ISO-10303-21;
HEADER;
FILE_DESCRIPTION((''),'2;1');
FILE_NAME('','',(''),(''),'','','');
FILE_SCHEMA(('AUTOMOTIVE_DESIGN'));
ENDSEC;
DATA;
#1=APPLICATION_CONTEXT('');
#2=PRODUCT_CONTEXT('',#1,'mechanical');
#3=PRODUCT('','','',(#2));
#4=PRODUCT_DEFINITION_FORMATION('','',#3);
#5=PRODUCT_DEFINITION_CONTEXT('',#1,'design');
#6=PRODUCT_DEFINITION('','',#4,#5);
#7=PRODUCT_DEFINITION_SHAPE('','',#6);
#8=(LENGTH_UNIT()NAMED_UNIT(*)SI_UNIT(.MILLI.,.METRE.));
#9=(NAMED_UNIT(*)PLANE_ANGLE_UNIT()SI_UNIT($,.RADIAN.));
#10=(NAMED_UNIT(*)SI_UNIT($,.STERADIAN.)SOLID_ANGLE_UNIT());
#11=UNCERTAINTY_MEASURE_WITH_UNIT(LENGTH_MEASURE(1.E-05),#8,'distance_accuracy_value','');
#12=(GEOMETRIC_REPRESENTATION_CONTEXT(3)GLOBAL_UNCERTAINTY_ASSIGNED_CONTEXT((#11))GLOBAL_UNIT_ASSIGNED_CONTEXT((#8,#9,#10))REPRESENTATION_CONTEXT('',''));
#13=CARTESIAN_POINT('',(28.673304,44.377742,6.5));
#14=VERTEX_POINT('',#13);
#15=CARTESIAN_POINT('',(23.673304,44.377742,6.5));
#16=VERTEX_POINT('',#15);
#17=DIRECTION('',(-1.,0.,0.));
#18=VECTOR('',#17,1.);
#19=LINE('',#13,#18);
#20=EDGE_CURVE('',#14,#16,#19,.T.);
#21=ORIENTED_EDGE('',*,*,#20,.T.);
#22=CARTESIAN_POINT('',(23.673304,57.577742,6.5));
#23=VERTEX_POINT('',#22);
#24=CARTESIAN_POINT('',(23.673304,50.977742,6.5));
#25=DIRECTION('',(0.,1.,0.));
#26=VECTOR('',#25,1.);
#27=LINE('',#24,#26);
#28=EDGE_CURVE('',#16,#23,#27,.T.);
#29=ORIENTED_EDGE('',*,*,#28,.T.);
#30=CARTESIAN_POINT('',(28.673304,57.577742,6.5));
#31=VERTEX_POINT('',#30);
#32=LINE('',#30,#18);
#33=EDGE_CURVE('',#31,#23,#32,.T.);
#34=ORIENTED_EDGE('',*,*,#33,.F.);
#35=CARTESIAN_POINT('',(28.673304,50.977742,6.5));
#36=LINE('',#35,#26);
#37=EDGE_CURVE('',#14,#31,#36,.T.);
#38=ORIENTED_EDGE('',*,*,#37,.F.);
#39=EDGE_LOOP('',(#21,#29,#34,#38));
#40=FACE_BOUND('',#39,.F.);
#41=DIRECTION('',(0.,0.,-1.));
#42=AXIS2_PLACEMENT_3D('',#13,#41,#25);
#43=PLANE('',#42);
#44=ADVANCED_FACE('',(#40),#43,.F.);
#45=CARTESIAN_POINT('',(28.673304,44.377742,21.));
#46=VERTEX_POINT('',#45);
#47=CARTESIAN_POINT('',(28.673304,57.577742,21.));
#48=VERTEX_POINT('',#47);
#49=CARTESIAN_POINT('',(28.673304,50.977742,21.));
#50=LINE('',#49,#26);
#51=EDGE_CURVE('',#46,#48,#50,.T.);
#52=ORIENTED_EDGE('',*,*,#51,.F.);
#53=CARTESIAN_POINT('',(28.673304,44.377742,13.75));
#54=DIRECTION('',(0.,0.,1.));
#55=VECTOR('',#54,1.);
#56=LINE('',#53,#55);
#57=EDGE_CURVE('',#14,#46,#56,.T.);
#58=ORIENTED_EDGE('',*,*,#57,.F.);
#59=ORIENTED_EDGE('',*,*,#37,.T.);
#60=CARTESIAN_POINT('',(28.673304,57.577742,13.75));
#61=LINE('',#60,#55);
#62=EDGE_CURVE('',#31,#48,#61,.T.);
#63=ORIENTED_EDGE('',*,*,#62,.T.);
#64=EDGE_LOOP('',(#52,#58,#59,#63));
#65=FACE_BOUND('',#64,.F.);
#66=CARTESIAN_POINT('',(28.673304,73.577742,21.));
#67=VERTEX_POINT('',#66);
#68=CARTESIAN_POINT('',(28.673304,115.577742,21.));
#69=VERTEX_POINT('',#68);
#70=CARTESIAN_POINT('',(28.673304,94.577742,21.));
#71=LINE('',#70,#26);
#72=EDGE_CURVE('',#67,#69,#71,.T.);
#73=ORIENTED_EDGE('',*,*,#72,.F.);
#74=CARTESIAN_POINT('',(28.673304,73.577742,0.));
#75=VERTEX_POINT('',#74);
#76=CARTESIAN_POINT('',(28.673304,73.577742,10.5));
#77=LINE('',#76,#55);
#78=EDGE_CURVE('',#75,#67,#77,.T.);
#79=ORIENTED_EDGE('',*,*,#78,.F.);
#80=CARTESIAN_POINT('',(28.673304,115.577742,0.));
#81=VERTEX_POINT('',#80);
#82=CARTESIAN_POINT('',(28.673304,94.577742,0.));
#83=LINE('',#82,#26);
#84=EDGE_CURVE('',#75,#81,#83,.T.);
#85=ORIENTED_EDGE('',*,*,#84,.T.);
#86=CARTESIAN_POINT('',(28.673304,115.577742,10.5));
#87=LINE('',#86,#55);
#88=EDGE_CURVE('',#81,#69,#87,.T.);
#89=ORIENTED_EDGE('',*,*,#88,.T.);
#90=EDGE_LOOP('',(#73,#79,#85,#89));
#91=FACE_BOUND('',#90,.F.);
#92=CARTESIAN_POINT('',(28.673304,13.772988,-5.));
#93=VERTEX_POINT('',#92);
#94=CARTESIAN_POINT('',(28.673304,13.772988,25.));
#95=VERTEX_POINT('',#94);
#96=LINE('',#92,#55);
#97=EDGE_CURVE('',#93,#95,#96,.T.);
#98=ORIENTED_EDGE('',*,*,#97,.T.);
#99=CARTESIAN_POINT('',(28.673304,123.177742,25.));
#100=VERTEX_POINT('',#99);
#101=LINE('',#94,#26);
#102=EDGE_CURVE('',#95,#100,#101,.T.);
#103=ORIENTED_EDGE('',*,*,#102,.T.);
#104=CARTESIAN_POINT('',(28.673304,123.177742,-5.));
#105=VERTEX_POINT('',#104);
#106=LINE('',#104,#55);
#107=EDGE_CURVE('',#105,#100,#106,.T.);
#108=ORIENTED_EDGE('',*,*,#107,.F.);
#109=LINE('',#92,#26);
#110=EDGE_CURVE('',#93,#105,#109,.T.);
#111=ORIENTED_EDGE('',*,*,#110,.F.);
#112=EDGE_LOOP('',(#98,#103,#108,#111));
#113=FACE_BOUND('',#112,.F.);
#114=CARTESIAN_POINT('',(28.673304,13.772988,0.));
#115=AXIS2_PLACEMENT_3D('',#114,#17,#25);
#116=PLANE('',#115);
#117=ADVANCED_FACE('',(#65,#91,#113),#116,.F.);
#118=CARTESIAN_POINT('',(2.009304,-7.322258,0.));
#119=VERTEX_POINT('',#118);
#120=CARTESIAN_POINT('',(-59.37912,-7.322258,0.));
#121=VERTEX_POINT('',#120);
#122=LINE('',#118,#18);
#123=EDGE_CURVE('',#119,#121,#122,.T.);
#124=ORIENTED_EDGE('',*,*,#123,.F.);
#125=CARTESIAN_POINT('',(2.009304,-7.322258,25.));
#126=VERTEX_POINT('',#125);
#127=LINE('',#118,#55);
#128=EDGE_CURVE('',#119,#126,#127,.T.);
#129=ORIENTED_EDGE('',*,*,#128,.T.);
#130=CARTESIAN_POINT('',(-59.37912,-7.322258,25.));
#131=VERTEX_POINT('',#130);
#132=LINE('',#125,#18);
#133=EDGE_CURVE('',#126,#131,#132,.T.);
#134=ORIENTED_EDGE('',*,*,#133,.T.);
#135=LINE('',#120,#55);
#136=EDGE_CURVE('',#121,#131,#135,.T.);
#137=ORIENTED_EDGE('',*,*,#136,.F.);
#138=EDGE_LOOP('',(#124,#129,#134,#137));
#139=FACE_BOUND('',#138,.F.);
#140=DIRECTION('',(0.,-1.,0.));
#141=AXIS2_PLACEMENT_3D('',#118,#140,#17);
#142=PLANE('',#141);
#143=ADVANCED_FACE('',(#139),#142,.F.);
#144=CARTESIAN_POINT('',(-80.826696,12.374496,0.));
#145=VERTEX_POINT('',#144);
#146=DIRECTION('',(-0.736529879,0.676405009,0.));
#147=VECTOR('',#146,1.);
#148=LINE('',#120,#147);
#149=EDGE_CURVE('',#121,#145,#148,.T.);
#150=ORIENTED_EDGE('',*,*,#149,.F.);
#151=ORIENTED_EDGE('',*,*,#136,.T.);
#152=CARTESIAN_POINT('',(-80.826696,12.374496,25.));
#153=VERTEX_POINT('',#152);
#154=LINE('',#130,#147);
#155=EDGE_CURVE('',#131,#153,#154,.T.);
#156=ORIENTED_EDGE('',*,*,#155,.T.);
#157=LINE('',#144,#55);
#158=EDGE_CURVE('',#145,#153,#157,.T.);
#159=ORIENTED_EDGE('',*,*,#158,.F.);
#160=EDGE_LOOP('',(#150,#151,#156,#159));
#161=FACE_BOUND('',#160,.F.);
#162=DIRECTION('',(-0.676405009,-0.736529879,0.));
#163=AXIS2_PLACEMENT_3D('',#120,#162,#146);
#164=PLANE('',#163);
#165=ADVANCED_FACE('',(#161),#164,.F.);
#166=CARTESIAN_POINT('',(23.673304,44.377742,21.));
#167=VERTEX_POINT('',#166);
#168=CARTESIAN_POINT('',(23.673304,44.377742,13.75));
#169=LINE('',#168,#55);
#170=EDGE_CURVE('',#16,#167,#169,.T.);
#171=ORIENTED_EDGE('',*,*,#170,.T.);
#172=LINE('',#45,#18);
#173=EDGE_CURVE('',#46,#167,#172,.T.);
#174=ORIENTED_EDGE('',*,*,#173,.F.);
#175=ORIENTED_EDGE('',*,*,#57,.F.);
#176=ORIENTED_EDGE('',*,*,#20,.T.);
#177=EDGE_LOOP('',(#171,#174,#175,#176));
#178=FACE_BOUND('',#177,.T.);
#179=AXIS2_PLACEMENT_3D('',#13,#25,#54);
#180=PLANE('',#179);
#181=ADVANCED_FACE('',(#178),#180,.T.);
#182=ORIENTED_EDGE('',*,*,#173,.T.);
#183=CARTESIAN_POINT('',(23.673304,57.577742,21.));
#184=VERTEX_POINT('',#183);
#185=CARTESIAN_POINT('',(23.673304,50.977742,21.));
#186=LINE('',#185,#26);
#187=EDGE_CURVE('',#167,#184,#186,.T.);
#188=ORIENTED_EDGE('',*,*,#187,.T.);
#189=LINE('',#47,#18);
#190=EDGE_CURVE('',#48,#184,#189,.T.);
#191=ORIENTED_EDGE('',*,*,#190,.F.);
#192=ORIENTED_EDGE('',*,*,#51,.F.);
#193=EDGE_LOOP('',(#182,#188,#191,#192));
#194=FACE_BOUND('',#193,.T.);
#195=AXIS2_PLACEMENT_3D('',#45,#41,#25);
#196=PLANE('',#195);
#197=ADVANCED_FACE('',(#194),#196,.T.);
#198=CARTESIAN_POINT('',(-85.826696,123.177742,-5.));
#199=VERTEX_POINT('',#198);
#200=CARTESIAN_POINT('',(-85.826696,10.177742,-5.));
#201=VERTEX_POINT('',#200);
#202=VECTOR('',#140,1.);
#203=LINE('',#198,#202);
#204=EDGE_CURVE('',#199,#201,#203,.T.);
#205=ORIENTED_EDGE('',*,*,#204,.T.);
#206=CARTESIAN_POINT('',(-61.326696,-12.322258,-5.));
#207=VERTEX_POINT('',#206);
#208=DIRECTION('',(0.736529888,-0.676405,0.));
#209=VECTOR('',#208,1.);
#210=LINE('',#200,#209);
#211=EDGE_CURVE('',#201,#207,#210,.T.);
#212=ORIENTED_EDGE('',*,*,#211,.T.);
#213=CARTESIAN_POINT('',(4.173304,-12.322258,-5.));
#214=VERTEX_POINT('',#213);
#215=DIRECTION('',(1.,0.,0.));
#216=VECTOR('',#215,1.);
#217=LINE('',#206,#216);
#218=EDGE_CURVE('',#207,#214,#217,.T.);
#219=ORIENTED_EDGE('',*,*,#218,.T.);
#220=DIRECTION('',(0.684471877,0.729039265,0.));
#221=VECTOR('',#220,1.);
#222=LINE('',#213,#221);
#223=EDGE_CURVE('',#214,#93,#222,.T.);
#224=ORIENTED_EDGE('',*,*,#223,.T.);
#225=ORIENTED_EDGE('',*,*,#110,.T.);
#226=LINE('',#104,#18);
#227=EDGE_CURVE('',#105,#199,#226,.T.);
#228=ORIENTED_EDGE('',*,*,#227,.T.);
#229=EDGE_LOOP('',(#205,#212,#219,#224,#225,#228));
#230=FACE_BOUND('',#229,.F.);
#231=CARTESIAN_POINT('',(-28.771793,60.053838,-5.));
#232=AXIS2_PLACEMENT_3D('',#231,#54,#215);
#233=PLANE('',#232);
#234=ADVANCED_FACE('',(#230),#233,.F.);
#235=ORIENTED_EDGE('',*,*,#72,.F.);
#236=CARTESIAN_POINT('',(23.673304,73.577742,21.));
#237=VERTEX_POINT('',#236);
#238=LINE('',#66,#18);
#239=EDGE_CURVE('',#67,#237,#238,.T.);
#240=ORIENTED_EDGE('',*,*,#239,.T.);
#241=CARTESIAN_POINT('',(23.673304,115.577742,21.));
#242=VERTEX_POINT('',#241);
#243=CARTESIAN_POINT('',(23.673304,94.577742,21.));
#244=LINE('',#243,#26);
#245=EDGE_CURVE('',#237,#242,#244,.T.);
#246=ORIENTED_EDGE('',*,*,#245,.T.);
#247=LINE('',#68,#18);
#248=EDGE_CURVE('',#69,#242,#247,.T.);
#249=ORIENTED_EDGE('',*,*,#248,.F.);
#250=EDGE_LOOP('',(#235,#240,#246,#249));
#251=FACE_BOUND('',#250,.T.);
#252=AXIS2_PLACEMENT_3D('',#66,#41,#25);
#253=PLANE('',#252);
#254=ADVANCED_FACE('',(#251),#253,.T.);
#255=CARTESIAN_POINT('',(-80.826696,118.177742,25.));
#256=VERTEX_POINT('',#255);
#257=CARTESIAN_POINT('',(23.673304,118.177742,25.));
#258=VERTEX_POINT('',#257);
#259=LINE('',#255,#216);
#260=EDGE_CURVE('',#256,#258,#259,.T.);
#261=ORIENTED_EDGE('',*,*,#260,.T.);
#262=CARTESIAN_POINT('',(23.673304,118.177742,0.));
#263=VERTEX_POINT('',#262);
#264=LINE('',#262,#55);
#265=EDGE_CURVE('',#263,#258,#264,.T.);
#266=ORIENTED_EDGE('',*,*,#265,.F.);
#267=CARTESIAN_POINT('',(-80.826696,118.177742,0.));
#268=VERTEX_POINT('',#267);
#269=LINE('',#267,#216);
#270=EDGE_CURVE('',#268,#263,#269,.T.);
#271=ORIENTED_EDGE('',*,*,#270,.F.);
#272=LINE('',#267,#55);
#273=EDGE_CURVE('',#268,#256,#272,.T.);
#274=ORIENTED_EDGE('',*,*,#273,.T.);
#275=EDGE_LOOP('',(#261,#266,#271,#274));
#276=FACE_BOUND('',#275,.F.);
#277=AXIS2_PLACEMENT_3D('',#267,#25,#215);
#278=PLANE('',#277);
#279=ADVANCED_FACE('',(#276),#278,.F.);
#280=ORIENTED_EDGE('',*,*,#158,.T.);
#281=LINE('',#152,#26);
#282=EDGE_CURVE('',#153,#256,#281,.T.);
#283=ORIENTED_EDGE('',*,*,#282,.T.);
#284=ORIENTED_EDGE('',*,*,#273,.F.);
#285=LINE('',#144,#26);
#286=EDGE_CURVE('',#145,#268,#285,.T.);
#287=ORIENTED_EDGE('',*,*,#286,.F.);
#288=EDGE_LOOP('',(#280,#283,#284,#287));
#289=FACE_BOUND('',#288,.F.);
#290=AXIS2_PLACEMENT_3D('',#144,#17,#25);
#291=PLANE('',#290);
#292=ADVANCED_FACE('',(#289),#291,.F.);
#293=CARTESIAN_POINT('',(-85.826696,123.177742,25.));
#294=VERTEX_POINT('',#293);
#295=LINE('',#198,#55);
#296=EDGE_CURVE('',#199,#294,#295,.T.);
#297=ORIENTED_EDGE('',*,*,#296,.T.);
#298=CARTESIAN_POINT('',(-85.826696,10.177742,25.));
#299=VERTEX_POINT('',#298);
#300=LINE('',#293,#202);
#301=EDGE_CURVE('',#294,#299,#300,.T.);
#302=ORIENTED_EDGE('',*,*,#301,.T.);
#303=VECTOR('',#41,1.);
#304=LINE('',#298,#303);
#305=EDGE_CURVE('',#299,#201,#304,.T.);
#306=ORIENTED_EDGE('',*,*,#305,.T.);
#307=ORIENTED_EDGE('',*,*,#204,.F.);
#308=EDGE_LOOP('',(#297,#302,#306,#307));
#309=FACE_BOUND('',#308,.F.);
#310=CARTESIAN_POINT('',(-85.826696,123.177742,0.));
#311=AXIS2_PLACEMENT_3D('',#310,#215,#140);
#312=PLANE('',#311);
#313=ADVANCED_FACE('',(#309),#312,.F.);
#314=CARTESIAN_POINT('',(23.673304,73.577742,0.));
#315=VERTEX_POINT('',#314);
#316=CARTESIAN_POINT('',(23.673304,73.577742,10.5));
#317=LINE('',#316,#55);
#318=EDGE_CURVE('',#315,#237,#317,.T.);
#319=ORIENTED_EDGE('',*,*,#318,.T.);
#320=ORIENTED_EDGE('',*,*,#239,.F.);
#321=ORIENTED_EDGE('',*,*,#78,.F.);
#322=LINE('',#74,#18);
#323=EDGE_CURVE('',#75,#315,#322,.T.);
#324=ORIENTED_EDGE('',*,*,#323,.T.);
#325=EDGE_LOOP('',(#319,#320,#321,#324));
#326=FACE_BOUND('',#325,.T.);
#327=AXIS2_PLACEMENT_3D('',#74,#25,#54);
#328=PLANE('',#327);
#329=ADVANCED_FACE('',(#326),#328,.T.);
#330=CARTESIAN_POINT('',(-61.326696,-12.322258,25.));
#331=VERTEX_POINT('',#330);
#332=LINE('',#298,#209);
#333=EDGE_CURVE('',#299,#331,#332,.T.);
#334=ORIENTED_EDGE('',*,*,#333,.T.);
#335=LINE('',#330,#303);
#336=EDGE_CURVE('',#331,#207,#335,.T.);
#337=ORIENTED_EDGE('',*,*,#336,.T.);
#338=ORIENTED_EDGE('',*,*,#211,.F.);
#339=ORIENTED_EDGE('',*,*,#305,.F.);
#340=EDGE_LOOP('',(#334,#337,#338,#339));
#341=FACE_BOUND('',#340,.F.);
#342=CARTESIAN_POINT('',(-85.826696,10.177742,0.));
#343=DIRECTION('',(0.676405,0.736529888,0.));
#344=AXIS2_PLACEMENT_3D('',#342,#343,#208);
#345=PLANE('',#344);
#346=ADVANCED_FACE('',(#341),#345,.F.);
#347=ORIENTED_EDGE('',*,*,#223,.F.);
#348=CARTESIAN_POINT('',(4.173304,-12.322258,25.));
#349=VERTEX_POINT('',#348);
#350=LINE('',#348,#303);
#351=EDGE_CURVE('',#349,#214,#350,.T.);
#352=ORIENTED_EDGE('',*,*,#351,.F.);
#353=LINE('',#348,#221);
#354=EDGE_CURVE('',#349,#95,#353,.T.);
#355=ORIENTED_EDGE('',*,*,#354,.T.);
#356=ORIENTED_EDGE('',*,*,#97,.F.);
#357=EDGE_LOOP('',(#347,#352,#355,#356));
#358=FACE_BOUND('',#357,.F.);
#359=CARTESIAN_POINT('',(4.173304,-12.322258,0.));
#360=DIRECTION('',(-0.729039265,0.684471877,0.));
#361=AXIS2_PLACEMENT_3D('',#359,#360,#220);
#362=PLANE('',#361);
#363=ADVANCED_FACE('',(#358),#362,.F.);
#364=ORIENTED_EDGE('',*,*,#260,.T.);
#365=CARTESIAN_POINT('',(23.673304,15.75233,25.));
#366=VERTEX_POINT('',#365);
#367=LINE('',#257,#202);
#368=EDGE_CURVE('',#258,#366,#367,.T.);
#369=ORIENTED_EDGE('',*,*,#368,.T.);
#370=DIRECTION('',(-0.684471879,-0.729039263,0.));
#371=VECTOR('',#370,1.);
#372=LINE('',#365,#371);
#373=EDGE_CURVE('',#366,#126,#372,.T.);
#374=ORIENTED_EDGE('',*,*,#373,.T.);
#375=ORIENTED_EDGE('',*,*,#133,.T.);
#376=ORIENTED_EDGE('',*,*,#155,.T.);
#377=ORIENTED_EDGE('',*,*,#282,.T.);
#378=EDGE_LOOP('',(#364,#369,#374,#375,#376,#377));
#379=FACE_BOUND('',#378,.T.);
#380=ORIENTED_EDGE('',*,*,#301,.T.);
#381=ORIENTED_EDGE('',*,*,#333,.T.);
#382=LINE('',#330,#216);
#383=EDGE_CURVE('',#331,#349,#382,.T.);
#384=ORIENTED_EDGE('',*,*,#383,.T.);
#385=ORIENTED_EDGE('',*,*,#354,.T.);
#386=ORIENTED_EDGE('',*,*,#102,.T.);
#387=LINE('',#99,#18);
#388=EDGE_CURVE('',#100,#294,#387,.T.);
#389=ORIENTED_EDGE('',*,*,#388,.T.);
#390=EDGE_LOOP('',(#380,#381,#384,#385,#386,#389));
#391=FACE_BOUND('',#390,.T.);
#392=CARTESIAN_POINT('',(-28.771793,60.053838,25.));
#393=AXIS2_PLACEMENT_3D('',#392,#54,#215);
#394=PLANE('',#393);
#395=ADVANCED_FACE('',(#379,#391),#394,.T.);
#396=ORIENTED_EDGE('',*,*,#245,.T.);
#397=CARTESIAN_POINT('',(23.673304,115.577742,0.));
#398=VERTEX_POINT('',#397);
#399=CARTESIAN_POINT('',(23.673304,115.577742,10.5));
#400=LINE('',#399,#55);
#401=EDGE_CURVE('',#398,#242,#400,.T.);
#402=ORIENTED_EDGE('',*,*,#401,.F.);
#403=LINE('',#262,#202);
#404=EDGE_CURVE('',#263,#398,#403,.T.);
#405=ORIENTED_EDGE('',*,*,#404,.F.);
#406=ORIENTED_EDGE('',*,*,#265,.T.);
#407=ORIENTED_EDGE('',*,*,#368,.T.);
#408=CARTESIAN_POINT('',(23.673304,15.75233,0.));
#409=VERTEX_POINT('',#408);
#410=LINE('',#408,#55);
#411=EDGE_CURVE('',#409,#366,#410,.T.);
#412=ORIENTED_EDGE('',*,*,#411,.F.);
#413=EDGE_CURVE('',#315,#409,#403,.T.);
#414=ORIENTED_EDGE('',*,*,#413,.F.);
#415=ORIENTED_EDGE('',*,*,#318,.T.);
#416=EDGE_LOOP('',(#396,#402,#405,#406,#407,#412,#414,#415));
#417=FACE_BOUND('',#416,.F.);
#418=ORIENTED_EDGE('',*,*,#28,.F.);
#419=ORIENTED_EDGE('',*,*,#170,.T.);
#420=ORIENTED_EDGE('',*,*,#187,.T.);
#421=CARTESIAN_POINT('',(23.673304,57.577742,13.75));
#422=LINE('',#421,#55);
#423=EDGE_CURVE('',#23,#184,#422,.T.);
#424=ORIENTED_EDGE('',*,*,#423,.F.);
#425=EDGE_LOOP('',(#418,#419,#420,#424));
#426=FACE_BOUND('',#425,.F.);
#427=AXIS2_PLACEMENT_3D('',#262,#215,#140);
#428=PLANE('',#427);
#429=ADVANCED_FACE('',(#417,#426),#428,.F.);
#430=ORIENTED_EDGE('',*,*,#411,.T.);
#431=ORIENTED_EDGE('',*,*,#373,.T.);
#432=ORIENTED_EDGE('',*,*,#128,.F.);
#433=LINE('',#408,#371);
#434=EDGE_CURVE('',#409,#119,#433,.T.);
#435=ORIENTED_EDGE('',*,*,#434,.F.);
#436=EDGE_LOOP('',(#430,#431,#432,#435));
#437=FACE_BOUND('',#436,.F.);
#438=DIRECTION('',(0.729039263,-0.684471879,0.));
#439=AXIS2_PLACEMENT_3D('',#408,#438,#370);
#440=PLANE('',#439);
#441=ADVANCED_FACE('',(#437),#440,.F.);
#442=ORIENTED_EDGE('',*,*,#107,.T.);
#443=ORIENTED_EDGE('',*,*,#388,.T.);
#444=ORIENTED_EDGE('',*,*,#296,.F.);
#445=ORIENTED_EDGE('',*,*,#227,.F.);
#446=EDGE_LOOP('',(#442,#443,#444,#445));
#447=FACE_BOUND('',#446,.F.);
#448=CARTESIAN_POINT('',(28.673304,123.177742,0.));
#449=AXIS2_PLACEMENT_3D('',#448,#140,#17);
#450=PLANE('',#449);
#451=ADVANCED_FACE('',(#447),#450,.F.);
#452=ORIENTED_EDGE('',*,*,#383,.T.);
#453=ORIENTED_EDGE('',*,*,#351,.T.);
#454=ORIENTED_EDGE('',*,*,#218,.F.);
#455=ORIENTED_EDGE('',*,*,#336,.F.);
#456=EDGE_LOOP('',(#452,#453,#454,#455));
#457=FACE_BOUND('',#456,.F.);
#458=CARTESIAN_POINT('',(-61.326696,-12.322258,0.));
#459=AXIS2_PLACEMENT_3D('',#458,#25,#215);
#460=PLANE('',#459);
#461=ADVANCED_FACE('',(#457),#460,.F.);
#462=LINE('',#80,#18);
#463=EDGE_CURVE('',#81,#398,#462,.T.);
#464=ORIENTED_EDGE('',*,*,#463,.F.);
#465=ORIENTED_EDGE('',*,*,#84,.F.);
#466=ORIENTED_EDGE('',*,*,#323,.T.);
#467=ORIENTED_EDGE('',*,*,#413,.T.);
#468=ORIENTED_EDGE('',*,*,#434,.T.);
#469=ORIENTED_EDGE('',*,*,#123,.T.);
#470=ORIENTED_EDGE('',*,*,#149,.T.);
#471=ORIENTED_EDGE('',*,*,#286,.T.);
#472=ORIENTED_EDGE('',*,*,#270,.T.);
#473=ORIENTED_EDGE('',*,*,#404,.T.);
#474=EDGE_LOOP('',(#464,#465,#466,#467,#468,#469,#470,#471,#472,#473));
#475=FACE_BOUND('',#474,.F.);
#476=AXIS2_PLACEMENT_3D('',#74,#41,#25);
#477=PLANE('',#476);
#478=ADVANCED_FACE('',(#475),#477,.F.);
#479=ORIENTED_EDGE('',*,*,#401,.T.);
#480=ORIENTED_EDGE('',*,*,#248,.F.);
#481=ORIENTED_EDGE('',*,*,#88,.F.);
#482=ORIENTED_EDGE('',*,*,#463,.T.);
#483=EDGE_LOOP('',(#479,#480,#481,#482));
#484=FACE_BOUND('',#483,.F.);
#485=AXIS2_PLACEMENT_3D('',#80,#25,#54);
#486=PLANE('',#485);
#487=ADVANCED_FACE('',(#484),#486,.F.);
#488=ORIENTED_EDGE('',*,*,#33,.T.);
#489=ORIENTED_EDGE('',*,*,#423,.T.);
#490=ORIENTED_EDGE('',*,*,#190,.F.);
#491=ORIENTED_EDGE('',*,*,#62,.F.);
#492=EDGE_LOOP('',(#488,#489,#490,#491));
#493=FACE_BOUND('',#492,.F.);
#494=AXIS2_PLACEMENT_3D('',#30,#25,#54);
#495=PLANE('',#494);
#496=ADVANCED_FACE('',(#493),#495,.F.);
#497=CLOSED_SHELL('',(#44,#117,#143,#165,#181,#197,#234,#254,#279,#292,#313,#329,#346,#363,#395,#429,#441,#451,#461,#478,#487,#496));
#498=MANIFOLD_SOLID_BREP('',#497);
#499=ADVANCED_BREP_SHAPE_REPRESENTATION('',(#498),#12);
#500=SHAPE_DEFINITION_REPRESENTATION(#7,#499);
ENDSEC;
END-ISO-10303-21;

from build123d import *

# Parameters (mm, degrees)
F2_DEPTH = 5
F4_DEPTH = 25
F5_W     = 42
F5_H     = 21
F5_W_2   = 13.2
F5_H_2   = 14.5
F6_DEPTH = 5
F7_DEPTH = 5


with BuildPart() as f2:
    # F0 (on Top) → F2 (new body)
    with BuildSketch(Plane.XY):
        Polygon((28.673304, 123.177742), (-85.826696, 123.177742), (-85.826696, 10.177742), (-61.326696, -12.322258), (4.173304, -12.322258), (28.673304, 13.772988), align=None)
    extrude(amount=-F2_DEPTH)

    # F3 (on face) → F4 (join)
    with BuildSketch(Plane.XY):
        Polygon((4.173304, -12.322258), (28.673304, 13.772988), (28.673304, 123.177742), (-85.826696, 123.177742), (-85.826696, 10.177742), (-61.326696, -12.322258), align=None)
        Polygon((-80.826696, 118.177742), (23.673304, 118.177742), (23.673304, 15.75233), (2.009304, -7.322258), (-59.37912, -7.322258), (-80.826696, 12.374496), align=None, mode=Mode.SUBTRACT)
    extrude(amount=F4_DEPTH)

    # F5 (on face) → F6 (cut)
    with BuildSketch(Plane.YZ.offset(28.673304)):
        with Locations((94.577742, 10.5)):
            Rectangle(F5_W, F5_H)
        with Locations((50.977742, 13.75)):
            Rectangle(F5_W_2, F5_H_2)
    extrude(amount=F6_DEPTH, mode=Mode.SUBTRACT)

    # F5 (on face) → F7 (cut, through all)
    with BuildSketch(Plane.YZ.offset(28.673304)):
        with Locations((94.577742, 10.5)):
            Rectangle(F5_W, F5_H)
        with Locations((50.977742, 13.75)):
            Rectangle(F5_W_2, F5_H_2)
    extrude(amount=-F7_DEPTH, mode=Mode.SUBTRACT)


solid = f2.part
